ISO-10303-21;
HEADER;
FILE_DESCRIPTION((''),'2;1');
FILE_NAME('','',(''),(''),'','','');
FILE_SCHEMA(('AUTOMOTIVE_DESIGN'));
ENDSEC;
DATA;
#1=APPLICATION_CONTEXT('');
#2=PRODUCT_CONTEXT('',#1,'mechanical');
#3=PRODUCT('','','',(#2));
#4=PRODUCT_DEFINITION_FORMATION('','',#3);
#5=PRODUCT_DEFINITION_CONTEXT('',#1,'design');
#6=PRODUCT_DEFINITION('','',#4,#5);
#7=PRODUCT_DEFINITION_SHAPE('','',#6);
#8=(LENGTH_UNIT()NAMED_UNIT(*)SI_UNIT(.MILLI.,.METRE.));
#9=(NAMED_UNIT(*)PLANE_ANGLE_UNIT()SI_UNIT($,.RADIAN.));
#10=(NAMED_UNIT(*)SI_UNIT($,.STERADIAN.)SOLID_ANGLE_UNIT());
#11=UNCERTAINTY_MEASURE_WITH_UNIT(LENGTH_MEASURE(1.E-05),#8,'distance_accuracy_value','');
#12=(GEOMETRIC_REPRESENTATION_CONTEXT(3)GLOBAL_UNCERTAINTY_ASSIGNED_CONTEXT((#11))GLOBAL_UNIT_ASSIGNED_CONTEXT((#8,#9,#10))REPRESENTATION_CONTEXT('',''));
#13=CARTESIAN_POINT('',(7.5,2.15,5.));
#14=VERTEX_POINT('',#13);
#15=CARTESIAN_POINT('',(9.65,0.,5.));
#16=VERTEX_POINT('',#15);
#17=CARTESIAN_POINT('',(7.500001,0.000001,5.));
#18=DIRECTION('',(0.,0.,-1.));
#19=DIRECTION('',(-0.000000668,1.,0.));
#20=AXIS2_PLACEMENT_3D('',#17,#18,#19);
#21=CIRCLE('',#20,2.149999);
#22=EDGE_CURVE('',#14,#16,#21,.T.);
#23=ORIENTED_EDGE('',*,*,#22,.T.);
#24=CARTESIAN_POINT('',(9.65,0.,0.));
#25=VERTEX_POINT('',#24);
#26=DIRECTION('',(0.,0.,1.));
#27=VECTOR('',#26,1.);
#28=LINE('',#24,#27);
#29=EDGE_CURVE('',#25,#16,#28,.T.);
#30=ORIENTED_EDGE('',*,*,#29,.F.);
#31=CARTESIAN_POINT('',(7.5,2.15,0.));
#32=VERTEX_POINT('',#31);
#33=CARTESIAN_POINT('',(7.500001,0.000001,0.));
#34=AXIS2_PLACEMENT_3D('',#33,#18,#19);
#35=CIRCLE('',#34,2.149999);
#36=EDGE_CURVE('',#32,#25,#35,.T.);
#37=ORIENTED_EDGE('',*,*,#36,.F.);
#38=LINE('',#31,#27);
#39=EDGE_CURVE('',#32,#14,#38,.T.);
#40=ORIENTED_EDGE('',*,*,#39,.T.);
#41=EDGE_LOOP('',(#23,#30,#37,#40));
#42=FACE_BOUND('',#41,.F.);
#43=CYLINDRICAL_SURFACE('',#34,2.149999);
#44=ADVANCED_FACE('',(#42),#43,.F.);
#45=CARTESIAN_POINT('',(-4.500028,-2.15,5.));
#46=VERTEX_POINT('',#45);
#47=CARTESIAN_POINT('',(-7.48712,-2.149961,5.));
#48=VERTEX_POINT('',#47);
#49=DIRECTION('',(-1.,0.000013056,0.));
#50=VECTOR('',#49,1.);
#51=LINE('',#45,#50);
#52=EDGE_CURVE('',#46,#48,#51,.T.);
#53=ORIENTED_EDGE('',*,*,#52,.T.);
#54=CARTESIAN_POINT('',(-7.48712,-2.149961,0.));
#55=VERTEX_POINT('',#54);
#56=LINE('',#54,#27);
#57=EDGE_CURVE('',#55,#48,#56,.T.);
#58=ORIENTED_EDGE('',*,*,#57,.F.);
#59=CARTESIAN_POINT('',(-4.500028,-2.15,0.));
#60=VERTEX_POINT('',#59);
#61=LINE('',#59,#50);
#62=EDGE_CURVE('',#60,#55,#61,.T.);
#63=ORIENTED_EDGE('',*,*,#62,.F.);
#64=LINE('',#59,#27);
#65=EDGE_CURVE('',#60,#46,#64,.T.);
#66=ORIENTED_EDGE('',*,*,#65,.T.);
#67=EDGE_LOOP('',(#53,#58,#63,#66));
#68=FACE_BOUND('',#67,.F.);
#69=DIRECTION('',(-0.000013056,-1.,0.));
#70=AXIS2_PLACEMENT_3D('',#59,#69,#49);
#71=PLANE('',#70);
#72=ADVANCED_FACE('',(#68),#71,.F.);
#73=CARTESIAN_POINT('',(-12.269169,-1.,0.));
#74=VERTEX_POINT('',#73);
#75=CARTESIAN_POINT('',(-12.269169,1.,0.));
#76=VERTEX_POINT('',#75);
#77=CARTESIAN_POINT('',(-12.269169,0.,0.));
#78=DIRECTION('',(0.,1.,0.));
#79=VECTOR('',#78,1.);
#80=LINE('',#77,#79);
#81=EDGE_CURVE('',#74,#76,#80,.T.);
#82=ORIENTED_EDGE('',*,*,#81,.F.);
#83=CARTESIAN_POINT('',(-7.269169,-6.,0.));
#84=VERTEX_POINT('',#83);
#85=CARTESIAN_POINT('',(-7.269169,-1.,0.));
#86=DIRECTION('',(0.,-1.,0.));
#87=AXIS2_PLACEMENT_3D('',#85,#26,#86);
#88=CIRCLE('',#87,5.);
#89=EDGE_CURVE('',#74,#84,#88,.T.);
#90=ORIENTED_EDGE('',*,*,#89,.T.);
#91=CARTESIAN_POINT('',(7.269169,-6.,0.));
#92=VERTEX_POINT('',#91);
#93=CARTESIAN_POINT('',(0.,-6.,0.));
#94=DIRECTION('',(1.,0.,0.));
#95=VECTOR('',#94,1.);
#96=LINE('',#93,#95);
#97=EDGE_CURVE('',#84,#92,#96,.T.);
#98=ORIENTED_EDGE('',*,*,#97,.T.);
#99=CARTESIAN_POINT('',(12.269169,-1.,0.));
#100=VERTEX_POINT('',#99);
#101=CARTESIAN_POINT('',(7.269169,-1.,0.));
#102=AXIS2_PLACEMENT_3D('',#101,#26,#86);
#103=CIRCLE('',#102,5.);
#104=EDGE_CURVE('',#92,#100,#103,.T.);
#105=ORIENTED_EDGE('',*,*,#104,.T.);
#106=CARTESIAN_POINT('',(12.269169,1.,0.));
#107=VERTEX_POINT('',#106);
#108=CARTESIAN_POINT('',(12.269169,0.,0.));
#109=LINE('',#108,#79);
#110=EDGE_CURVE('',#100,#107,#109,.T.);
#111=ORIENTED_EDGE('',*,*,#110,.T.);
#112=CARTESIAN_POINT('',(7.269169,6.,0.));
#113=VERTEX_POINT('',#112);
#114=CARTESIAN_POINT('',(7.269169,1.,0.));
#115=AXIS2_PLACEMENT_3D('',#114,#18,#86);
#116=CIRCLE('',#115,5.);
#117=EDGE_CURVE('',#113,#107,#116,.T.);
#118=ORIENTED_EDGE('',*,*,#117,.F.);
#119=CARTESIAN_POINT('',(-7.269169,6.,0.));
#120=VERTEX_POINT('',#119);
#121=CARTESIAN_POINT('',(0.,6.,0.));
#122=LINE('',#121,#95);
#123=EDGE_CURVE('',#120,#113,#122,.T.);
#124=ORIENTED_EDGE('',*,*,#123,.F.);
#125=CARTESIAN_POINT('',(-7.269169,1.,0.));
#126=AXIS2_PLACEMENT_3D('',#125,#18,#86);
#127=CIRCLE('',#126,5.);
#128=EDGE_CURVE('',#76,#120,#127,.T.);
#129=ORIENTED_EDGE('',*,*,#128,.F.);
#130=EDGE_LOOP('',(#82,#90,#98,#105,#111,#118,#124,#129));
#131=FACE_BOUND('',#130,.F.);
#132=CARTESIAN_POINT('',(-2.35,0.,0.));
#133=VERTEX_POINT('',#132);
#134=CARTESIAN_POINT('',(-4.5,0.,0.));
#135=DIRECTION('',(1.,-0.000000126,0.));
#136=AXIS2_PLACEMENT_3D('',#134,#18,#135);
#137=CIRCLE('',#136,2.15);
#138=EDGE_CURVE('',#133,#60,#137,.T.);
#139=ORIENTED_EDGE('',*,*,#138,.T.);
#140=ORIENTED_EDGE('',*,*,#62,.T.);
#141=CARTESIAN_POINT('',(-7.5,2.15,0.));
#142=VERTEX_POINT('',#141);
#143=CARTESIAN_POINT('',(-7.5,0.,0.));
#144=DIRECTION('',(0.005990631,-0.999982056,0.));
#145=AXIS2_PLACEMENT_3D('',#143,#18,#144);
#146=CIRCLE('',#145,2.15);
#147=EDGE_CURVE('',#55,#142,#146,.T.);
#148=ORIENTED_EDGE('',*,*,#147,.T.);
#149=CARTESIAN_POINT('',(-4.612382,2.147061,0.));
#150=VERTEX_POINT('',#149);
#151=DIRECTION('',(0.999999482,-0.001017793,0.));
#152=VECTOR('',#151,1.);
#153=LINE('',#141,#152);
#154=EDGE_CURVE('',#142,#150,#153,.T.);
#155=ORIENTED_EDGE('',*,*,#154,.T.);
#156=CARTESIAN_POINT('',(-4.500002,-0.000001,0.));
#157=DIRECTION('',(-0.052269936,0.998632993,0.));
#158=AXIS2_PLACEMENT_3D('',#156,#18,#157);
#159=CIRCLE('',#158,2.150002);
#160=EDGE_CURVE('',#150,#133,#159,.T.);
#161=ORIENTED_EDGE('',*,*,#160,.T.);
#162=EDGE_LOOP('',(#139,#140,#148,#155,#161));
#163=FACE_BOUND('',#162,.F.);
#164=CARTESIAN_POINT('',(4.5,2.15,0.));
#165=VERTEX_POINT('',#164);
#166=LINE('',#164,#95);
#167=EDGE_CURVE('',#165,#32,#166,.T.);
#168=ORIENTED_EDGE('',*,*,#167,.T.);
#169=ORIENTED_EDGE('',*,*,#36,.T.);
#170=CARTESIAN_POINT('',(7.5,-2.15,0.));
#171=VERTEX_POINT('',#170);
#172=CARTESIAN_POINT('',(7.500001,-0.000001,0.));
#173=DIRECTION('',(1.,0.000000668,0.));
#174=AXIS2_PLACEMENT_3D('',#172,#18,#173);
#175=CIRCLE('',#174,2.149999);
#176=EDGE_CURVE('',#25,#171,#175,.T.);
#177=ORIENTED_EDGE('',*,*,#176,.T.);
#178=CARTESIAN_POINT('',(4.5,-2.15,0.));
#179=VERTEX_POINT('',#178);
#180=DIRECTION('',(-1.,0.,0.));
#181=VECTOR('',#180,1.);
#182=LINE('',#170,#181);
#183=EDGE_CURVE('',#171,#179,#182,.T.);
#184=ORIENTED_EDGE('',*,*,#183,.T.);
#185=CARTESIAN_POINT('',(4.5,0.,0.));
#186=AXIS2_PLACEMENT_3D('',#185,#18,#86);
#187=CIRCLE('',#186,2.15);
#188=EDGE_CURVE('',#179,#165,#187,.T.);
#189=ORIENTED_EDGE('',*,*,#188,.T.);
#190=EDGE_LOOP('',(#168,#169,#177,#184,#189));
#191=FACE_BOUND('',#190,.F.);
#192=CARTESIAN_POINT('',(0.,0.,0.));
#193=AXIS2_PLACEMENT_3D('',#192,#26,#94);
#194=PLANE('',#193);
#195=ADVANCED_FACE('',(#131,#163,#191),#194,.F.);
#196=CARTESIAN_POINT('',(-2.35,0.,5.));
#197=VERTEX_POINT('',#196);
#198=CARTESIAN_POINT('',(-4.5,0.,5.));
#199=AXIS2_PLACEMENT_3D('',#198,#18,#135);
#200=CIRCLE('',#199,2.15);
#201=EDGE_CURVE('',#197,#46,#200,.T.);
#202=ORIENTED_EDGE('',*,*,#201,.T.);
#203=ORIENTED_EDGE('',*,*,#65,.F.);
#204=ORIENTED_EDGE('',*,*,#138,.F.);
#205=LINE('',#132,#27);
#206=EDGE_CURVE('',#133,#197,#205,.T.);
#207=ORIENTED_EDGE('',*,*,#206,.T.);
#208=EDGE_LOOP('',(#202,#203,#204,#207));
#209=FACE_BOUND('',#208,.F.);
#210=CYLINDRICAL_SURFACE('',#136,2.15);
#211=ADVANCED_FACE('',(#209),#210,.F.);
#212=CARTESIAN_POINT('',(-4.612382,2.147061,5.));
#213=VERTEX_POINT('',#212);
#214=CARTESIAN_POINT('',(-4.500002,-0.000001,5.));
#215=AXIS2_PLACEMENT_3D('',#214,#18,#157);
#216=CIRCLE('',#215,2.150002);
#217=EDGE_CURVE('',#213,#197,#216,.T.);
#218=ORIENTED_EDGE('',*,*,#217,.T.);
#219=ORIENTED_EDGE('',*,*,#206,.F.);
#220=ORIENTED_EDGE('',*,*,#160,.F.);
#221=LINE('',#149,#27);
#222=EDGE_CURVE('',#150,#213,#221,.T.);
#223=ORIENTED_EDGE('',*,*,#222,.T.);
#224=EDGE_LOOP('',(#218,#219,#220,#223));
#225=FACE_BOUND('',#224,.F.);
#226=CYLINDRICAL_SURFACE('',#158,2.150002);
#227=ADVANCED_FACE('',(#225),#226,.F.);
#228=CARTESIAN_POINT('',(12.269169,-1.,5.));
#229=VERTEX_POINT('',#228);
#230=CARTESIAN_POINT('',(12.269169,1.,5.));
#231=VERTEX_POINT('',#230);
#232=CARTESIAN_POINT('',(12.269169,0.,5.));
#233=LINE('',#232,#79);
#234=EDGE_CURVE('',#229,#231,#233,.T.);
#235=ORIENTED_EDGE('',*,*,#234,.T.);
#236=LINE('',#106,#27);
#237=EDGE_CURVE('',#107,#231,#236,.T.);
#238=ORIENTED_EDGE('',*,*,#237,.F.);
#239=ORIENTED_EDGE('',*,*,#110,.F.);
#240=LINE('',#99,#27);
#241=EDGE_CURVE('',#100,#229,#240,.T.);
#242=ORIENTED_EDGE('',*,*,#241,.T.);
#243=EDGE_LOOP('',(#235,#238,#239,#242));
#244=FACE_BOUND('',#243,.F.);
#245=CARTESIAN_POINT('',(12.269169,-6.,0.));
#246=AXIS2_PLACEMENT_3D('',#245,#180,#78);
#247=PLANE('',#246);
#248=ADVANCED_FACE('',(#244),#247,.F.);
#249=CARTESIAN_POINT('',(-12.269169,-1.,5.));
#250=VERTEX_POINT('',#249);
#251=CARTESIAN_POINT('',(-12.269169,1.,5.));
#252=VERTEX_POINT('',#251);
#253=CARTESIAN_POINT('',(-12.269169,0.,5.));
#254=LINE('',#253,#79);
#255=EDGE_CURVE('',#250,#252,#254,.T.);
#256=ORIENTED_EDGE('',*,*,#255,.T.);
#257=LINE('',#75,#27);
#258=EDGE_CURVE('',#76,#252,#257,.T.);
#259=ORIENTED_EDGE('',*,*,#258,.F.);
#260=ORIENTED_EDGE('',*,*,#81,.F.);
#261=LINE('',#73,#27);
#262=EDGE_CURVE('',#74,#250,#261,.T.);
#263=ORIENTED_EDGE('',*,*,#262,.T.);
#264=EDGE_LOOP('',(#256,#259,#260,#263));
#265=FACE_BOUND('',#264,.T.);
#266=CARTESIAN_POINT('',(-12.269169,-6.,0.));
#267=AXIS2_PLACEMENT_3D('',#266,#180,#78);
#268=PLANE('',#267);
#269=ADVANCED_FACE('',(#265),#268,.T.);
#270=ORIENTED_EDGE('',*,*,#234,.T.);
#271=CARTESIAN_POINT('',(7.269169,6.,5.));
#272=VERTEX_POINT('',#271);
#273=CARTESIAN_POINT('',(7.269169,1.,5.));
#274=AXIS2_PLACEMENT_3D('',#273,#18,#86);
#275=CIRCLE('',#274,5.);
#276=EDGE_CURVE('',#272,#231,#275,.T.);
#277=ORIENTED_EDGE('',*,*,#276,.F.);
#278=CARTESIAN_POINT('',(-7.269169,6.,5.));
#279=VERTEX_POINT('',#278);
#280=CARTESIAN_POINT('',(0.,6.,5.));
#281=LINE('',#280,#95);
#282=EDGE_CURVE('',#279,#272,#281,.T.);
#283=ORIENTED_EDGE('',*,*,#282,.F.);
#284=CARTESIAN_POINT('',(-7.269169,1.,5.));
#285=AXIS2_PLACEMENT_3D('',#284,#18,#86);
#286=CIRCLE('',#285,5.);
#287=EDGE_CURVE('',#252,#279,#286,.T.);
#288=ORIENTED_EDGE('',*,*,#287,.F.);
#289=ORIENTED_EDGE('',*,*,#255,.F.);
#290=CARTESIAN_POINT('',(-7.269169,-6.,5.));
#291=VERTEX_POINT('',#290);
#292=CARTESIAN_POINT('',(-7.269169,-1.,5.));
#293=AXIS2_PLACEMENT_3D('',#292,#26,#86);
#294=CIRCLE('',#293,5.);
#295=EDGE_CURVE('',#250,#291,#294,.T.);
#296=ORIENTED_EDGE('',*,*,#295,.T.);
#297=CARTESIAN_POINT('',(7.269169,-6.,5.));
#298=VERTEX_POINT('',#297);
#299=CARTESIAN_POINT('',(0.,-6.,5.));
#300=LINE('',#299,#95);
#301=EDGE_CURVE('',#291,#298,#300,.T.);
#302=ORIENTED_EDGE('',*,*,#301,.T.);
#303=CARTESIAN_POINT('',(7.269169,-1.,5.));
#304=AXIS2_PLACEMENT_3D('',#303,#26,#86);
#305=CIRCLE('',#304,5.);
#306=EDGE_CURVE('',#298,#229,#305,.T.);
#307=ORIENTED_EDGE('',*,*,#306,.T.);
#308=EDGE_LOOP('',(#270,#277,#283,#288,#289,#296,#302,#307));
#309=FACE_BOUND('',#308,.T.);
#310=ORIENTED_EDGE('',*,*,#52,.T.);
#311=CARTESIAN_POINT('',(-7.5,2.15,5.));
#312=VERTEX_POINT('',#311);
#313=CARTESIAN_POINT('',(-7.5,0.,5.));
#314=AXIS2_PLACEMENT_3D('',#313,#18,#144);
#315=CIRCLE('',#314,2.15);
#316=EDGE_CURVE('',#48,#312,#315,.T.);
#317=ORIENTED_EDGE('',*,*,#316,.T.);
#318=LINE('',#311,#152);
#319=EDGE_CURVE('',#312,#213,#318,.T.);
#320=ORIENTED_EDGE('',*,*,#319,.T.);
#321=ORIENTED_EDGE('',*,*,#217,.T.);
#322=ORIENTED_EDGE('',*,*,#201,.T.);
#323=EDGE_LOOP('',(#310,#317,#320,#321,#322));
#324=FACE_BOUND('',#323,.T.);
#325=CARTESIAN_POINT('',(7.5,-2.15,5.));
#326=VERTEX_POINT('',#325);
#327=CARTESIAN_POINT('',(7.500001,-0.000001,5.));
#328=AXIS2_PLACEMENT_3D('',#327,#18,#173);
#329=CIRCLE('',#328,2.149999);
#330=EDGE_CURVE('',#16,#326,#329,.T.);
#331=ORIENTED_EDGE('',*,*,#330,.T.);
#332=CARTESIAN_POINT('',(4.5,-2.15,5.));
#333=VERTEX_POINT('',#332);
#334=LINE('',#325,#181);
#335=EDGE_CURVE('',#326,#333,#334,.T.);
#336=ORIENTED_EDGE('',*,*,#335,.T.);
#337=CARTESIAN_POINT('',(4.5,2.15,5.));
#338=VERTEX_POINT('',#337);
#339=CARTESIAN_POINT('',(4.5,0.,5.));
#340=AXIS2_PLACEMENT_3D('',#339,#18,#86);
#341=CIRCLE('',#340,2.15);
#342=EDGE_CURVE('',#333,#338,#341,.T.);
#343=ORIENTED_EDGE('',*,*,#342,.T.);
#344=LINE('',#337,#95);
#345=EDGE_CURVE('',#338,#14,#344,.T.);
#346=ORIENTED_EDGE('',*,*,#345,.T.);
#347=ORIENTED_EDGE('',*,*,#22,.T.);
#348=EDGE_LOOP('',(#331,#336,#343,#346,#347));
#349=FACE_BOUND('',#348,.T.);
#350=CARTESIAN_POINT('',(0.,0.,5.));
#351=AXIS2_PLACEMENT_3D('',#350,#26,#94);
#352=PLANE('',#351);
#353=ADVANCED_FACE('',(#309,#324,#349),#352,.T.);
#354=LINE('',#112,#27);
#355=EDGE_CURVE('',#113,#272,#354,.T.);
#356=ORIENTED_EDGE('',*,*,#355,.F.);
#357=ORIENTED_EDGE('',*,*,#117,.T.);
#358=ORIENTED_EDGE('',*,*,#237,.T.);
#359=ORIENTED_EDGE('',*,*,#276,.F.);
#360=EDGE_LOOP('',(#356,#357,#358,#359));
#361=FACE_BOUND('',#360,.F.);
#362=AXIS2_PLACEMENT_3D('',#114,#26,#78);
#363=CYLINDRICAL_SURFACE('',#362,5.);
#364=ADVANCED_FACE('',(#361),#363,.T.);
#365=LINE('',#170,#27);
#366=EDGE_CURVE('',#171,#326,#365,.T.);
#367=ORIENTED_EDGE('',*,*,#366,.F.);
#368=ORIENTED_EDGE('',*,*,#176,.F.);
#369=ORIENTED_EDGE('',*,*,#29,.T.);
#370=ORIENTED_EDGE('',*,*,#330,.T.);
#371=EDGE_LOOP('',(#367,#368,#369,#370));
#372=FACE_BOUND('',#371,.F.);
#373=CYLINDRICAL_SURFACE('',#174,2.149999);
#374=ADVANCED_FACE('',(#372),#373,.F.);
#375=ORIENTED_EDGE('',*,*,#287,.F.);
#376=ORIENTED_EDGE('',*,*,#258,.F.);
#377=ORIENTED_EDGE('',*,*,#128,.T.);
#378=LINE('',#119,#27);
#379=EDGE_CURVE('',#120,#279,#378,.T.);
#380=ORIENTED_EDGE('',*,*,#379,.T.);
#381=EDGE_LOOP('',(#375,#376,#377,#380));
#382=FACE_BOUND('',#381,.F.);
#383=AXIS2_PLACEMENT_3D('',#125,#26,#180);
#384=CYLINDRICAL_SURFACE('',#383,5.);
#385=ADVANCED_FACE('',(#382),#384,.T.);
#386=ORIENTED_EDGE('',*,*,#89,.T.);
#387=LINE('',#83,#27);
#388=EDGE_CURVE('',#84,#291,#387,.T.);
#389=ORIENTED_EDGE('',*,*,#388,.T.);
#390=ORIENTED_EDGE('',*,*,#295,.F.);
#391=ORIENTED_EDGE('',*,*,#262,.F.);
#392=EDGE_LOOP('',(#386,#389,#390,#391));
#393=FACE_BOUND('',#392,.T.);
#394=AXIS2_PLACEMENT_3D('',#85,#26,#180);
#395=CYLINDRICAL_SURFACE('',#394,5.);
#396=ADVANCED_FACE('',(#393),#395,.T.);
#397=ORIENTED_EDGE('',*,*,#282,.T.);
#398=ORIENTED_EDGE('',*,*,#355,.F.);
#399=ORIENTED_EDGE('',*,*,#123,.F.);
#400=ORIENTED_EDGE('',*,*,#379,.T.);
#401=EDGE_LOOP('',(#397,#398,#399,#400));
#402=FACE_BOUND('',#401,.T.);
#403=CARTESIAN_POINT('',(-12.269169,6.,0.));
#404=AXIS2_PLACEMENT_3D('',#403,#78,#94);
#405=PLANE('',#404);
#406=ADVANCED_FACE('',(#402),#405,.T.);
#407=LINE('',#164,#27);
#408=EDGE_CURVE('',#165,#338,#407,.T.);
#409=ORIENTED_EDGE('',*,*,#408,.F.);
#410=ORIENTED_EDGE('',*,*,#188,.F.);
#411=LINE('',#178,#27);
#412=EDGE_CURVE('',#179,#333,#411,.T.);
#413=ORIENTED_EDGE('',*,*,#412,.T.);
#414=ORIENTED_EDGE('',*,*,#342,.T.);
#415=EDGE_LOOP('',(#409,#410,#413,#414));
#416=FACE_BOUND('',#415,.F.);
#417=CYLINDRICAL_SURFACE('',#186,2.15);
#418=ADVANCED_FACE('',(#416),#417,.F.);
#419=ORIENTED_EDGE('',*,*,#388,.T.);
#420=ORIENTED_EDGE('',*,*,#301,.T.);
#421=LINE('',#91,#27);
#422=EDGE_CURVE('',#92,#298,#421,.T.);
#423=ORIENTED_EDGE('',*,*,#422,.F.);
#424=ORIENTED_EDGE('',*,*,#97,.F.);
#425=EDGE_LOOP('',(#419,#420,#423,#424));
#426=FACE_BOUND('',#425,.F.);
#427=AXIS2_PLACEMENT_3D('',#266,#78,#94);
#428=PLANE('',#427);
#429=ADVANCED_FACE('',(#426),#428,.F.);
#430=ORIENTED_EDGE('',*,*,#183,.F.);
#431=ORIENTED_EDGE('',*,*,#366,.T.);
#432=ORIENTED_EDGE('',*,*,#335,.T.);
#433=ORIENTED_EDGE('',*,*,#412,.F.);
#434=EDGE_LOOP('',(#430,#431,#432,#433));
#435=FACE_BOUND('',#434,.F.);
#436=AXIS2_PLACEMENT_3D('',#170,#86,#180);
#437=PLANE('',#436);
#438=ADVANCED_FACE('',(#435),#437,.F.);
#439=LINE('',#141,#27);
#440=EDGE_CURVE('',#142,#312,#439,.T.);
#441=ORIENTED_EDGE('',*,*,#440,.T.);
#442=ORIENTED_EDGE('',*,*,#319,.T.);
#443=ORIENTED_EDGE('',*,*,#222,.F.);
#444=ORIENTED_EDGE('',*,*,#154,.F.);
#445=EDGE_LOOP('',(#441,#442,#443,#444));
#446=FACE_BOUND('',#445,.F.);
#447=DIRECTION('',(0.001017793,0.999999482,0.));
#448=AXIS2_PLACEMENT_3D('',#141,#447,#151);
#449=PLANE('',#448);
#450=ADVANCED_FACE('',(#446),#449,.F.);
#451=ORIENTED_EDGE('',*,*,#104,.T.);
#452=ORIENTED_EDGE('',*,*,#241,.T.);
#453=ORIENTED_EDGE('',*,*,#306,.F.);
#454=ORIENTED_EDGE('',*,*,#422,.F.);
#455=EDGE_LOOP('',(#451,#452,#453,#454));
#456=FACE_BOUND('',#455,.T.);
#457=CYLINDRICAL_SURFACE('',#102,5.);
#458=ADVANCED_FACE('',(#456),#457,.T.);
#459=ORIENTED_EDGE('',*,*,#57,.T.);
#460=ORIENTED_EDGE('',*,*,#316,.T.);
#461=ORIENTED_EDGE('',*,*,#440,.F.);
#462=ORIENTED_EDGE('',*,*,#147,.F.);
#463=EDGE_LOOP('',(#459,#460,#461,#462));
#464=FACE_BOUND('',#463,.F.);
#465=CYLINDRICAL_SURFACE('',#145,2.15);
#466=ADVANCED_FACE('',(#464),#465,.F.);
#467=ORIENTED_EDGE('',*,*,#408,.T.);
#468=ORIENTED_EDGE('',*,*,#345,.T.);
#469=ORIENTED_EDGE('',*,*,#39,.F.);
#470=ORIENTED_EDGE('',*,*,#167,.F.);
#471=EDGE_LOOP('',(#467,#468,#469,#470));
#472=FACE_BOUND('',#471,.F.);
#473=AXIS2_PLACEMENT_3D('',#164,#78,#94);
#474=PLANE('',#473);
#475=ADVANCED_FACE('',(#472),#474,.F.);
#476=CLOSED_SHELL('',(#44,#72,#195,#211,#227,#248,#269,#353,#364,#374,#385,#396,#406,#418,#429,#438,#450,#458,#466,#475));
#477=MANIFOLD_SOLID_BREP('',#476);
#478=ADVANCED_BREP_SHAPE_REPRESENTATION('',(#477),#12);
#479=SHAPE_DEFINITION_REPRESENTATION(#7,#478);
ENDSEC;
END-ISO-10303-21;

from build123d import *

# Parameters (mm, degrees)
F0_W     = 24.538338
F0_H     = 12
F1_DEPTH = 5
F2_R     = 5


with BuildPart() as f1:
    # F0 (on Top) → F1 (new body)
    with BuildSketch(Plane.XY):
        Rectangle(F0_W, F0_H)
        with BuildLine():
            ThreePointArc((-7.48712, -2.149961), (-9.64999, -0.00644), (-7.5, 2.15))
            Line((-7.5, 2.15), (-4.612382, 2.147061))
            ThreePointArc((-4.612382, 2.147061), (-3.019987, 1.559506), (-2.35, 0))
            ThreePointArc((-2.35, 0), (-2.97973, -1.520289), (-4.500028, -2.15))
            Line((-4.500028, -2.15), (-7.48712, -2.149961))
        make_face(mode=Mode.SUBTRACT)
        with BuildLine():
            ThreePointArc((7.5, 2.15), (9.02028, 1.52028), (9.65, 0))
            ThreePointArc((9.65, 0), (9.02028, -1.52028), (7.5, -2.15))
            Line((7.5, -2.15), (4.5, -2.15))
            ThreePointArc((4.5, -2.15), (2.35, 0), (4.5, 2.15))
            Line((4.5, 2.15), (7.5, 2.15))
        make_face(mode=Mode.SUBTRACT)
    extrude(amount=F1_DEPTH)

    # F2
    f2_edges = [f1.edges().sort_by_distance(p)[0] for p in [
        (12.269169, 6, 2.5),
        (12.269169, -6, 2.5),
        (-12.269169, -6, 2.5),
        (-12.269169, 6, 2.5),
    ]]
    fillet(f2_edges, radius=F2_R)


solid = f1.part
